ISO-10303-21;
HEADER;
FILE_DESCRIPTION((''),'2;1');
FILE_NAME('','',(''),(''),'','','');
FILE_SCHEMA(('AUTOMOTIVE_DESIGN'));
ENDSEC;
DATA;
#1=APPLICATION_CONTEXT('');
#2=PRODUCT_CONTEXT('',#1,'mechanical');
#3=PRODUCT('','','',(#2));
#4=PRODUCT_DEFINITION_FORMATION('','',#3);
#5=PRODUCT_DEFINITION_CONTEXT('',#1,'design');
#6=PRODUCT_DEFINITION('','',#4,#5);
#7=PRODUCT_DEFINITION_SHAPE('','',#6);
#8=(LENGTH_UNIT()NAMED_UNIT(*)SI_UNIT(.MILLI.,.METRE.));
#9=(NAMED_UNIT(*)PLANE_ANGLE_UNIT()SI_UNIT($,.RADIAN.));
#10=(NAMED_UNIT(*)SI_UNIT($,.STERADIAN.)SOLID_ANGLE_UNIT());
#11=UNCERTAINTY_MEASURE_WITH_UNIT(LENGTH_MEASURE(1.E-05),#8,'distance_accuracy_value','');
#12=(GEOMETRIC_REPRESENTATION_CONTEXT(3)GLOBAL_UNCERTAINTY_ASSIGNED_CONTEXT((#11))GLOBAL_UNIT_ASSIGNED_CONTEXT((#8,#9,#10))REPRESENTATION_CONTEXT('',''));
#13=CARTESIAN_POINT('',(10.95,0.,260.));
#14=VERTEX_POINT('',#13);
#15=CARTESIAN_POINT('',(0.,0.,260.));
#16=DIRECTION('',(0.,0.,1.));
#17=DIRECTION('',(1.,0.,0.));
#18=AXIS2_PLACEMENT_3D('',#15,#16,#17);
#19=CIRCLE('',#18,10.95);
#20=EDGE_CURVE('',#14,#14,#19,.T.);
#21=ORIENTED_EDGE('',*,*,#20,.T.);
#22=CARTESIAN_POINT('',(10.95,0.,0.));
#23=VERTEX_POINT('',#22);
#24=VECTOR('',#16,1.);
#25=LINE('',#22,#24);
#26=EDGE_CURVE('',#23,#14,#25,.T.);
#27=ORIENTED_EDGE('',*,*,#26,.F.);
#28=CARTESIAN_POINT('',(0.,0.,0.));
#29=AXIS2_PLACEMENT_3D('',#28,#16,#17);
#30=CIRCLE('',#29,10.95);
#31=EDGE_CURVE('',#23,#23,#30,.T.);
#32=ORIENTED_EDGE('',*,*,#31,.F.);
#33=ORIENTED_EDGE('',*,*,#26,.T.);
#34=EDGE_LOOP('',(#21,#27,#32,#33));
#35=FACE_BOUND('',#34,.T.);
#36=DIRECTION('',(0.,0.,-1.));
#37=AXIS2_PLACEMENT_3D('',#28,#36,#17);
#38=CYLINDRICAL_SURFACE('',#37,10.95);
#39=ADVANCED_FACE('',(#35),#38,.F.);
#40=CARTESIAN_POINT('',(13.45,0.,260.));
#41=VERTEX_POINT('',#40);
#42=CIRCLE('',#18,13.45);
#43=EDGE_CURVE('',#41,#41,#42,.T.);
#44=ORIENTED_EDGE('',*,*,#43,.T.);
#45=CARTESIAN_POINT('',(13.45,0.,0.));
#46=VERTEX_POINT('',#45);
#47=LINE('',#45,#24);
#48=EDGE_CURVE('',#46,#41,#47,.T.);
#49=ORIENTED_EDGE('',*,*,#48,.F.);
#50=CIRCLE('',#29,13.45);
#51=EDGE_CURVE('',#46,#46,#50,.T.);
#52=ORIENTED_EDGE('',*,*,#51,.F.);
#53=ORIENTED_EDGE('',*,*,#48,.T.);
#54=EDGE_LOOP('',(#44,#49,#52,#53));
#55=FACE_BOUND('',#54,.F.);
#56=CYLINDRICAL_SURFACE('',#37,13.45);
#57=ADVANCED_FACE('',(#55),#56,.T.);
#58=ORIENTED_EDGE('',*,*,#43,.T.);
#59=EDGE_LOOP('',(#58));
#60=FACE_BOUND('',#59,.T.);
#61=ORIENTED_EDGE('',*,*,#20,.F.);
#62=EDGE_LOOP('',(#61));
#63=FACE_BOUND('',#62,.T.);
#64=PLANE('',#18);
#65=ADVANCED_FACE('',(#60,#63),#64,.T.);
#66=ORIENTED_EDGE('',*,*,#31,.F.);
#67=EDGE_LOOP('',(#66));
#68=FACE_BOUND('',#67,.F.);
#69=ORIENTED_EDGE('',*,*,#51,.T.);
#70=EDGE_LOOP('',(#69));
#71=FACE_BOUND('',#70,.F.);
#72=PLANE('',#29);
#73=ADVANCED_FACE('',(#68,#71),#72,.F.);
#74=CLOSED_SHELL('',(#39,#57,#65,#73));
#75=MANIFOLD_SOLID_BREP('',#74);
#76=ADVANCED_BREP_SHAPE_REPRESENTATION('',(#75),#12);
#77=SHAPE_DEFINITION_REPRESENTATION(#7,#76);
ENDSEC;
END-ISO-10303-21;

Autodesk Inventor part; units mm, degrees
ref_plane "YZ Plane" through (0, 0, 0) normal (1, 0, 0) x (0, 1, 0)
ref_plane "Start Plane" through (0, 0, 0) normal (0, 0, 1) x (1, 0, 0)
ref_plane "End Plane" through (0, 0, 260) normal (0, 0, 1) x (1, 0, 0)
sketch "Sketch" plane through (0, 0, 0) normal (0, 0, 1) x (1, 0, 0)
  circle A0 centre (0, 0) radius 10.95
  circle A1 centre (0, 0) radius 13.45
  dimension "d0" = 26.9
  dimension "d1" = 2.5
extrude "Body" add sketch "Sketch" along normal up to surface (260 mm away) from surface at 0
sketch "Sketch3" plane through (0, 0, 0) normal (0, 0, 1) x (1, 0, 0)
  line L0 (0, 0) -> (10, 0)
ref_plane "Work Plane3" through (0, 0, 0) normal (0, -1, 0) x (1, 0, 0)
sketch "Sketch4" plane through (0, 0, 0) normal (0, -1, 0) x (1, 0, 0)
  line L0 (-2, 0) -> (12, 0) projected
  line L1 (-2, 260) -> (12, 260) projected
  dimension "d7" = 260
equation "\"d0\" = G_H"
equation "\"d1\" = G_T"
equation "\"d2\" = G_L"
equation "\"G_H\" = 26.9"
equation "\"G_T\" = 2.5"
equation "\"G_L\" = d7"
equation "\"G_OFFSET_START\" = 0"
equation "\"G_OFFSET_END\" = 0"
properties part number "ISO 4019 - 26.9x2.5 - 260" material "Steel"
